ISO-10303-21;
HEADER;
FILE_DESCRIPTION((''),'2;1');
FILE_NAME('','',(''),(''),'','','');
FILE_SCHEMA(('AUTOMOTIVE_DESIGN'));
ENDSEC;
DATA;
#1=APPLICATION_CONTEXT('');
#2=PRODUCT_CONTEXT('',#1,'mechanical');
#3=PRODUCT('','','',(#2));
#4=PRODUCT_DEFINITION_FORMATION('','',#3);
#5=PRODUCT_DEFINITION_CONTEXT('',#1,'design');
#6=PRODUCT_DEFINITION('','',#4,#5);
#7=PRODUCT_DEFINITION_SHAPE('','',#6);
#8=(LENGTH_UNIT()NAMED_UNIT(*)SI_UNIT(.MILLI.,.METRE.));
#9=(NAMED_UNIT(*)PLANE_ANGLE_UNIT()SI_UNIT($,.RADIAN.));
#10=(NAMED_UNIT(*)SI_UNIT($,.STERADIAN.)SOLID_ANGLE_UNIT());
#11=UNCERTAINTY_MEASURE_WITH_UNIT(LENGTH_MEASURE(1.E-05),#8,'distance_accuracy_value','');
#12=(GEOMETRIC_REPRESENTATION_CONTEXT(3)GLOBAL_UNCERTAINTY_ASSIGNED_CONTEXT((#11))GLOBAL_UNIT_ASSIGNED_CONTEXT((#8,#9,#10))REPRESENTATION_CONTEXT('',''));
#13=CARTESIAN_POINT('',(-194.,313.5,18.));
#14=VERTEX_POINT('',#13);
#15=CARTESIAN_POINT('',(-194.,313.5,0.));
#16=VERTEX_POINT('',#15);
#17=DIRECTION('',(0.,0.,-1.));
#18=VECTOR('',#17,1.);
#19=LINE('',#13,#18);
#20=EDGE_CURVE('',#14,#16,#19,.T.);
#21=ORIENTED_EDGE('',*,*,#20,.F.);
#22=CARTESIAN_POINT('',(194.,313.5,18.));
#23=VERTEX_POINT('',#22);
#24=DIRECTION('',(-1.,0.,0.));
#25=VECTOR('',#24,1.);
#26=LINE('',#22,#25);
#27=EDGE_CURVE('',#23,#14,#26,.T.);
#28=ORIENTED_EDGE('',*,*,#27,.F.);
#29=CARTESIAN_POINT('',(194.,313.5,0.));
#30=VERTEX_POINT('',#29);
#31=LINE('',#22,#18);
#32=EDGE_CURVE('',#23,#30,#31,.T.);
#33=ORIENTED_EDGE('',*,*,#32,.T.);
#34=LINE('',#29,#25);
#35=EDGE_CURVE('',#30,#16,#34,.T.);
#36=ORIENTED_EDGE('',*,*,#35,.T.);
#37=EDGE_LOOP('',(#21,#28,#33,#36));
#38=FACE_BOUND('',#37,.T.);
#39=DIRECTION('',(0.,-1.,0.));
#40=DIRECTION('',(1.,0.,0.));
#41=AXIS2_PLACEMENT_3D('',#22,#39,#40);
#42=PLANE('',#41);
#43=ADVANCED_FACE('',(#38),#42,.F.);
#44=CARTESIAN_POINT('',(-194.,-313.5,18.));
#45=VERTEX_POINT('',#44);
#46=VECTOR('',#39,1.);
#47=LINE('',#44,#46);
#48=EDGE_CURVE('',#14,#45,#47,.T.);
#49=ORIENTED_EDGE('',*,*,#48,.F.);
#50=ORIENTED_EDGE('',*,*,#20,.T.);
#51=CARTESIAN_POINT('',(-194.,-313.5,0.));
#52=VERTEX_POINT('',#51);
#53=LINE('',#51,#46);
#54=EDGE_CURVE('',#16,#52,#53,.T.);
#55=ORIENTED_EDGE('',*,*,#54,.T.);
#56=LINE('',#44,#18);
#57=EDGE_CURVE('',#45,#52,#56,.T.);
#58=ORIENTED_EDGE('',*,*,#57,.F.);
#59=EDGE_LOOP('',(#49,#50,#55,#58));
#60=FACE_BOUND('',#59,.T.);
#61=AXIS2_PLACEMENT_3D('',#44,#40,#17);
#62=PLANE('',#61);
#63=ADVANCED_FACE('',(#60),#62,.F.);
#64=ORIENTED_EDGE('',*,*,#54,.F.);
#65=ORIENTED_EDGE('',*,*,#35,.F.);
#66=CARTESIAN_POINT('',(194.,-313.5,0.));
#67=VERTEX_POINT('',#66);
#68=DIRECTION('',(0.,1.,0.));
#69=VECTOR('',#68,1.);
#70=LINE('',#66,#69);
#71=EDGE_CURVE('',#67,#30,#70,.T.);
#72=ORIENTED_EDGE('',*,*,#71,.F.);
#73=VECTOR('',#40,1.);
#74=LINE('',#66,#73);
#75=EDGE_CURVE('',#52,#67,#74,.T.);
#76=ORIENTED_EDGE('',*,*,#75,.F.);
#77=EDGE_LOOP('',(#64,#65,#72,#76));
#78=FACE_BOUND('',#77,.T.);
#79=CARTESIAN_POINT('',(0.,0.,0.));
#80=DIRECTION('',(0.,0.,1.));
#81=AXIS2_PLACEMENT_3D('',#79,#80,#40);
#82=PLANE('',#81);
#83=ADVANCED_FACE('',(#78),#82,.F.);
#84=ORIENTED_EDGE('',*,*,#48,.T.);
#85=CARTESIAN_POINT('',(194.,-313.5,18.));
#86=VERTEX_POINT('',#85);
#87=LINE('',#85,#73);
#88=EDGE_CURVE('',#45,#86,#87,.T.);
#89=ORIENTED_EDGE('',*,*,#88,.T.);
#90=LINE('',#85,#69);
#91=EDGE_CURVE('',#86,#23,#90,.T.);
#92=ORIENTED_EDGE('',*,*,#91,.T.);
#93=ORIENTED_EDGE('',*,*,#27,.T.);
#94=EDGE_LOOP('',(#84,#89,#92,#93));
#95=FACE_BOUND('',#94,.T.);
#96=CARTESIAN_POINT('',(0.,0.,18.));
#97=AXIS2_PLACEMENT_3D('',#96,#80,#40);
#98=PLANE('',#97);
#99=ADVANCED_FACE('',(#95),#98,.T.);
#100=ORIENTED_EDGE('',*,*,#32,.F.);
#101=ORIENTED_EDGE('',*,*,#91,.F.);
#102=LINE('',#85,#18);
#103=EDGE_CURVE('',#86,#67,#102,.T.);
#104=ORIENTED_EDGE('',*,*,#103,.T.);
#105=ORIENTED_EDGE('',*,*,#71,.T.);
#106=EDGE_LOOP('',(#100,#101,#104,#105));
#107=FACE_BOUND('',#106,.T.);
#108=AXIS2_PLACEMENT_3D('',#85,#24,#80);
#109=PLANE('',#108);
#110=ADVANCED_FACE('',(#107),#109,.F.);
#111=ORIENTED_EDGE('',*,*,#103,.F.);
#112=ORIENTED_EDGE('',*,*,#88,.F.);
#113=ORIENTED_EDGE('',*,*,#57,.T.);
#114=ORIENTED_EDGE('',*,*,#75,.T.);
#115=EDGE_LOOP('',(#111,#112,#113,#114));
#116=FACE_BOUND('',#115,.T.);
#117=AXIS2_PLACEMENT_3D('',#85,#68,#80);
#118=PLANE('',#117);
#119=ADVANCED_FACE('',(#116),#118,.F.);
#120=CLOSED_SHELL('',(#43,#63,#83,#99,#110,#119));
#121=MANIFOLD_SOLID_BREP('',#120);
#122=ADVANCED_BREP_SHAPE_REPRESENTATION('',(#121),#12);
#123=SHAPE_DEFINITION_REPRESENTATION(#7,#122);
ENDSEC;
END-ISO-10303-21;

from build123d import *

# Parameters (mm, degrees)
SKETCH1_W           = 388
SKETCH1_H           = 627
BOSS_EXTRUDE1_DEPTH = 18


with BuildPart() as part:
    # Sketch1 → Boss-Extrude1 (new body)
    with BuildSketch(Plane.XY):
        Rectangle(SKETCH1_W, SKETCH1_H)
    extrude(amount=BOSS_EXTRUDE1_DEPTH)


solid = part.part
